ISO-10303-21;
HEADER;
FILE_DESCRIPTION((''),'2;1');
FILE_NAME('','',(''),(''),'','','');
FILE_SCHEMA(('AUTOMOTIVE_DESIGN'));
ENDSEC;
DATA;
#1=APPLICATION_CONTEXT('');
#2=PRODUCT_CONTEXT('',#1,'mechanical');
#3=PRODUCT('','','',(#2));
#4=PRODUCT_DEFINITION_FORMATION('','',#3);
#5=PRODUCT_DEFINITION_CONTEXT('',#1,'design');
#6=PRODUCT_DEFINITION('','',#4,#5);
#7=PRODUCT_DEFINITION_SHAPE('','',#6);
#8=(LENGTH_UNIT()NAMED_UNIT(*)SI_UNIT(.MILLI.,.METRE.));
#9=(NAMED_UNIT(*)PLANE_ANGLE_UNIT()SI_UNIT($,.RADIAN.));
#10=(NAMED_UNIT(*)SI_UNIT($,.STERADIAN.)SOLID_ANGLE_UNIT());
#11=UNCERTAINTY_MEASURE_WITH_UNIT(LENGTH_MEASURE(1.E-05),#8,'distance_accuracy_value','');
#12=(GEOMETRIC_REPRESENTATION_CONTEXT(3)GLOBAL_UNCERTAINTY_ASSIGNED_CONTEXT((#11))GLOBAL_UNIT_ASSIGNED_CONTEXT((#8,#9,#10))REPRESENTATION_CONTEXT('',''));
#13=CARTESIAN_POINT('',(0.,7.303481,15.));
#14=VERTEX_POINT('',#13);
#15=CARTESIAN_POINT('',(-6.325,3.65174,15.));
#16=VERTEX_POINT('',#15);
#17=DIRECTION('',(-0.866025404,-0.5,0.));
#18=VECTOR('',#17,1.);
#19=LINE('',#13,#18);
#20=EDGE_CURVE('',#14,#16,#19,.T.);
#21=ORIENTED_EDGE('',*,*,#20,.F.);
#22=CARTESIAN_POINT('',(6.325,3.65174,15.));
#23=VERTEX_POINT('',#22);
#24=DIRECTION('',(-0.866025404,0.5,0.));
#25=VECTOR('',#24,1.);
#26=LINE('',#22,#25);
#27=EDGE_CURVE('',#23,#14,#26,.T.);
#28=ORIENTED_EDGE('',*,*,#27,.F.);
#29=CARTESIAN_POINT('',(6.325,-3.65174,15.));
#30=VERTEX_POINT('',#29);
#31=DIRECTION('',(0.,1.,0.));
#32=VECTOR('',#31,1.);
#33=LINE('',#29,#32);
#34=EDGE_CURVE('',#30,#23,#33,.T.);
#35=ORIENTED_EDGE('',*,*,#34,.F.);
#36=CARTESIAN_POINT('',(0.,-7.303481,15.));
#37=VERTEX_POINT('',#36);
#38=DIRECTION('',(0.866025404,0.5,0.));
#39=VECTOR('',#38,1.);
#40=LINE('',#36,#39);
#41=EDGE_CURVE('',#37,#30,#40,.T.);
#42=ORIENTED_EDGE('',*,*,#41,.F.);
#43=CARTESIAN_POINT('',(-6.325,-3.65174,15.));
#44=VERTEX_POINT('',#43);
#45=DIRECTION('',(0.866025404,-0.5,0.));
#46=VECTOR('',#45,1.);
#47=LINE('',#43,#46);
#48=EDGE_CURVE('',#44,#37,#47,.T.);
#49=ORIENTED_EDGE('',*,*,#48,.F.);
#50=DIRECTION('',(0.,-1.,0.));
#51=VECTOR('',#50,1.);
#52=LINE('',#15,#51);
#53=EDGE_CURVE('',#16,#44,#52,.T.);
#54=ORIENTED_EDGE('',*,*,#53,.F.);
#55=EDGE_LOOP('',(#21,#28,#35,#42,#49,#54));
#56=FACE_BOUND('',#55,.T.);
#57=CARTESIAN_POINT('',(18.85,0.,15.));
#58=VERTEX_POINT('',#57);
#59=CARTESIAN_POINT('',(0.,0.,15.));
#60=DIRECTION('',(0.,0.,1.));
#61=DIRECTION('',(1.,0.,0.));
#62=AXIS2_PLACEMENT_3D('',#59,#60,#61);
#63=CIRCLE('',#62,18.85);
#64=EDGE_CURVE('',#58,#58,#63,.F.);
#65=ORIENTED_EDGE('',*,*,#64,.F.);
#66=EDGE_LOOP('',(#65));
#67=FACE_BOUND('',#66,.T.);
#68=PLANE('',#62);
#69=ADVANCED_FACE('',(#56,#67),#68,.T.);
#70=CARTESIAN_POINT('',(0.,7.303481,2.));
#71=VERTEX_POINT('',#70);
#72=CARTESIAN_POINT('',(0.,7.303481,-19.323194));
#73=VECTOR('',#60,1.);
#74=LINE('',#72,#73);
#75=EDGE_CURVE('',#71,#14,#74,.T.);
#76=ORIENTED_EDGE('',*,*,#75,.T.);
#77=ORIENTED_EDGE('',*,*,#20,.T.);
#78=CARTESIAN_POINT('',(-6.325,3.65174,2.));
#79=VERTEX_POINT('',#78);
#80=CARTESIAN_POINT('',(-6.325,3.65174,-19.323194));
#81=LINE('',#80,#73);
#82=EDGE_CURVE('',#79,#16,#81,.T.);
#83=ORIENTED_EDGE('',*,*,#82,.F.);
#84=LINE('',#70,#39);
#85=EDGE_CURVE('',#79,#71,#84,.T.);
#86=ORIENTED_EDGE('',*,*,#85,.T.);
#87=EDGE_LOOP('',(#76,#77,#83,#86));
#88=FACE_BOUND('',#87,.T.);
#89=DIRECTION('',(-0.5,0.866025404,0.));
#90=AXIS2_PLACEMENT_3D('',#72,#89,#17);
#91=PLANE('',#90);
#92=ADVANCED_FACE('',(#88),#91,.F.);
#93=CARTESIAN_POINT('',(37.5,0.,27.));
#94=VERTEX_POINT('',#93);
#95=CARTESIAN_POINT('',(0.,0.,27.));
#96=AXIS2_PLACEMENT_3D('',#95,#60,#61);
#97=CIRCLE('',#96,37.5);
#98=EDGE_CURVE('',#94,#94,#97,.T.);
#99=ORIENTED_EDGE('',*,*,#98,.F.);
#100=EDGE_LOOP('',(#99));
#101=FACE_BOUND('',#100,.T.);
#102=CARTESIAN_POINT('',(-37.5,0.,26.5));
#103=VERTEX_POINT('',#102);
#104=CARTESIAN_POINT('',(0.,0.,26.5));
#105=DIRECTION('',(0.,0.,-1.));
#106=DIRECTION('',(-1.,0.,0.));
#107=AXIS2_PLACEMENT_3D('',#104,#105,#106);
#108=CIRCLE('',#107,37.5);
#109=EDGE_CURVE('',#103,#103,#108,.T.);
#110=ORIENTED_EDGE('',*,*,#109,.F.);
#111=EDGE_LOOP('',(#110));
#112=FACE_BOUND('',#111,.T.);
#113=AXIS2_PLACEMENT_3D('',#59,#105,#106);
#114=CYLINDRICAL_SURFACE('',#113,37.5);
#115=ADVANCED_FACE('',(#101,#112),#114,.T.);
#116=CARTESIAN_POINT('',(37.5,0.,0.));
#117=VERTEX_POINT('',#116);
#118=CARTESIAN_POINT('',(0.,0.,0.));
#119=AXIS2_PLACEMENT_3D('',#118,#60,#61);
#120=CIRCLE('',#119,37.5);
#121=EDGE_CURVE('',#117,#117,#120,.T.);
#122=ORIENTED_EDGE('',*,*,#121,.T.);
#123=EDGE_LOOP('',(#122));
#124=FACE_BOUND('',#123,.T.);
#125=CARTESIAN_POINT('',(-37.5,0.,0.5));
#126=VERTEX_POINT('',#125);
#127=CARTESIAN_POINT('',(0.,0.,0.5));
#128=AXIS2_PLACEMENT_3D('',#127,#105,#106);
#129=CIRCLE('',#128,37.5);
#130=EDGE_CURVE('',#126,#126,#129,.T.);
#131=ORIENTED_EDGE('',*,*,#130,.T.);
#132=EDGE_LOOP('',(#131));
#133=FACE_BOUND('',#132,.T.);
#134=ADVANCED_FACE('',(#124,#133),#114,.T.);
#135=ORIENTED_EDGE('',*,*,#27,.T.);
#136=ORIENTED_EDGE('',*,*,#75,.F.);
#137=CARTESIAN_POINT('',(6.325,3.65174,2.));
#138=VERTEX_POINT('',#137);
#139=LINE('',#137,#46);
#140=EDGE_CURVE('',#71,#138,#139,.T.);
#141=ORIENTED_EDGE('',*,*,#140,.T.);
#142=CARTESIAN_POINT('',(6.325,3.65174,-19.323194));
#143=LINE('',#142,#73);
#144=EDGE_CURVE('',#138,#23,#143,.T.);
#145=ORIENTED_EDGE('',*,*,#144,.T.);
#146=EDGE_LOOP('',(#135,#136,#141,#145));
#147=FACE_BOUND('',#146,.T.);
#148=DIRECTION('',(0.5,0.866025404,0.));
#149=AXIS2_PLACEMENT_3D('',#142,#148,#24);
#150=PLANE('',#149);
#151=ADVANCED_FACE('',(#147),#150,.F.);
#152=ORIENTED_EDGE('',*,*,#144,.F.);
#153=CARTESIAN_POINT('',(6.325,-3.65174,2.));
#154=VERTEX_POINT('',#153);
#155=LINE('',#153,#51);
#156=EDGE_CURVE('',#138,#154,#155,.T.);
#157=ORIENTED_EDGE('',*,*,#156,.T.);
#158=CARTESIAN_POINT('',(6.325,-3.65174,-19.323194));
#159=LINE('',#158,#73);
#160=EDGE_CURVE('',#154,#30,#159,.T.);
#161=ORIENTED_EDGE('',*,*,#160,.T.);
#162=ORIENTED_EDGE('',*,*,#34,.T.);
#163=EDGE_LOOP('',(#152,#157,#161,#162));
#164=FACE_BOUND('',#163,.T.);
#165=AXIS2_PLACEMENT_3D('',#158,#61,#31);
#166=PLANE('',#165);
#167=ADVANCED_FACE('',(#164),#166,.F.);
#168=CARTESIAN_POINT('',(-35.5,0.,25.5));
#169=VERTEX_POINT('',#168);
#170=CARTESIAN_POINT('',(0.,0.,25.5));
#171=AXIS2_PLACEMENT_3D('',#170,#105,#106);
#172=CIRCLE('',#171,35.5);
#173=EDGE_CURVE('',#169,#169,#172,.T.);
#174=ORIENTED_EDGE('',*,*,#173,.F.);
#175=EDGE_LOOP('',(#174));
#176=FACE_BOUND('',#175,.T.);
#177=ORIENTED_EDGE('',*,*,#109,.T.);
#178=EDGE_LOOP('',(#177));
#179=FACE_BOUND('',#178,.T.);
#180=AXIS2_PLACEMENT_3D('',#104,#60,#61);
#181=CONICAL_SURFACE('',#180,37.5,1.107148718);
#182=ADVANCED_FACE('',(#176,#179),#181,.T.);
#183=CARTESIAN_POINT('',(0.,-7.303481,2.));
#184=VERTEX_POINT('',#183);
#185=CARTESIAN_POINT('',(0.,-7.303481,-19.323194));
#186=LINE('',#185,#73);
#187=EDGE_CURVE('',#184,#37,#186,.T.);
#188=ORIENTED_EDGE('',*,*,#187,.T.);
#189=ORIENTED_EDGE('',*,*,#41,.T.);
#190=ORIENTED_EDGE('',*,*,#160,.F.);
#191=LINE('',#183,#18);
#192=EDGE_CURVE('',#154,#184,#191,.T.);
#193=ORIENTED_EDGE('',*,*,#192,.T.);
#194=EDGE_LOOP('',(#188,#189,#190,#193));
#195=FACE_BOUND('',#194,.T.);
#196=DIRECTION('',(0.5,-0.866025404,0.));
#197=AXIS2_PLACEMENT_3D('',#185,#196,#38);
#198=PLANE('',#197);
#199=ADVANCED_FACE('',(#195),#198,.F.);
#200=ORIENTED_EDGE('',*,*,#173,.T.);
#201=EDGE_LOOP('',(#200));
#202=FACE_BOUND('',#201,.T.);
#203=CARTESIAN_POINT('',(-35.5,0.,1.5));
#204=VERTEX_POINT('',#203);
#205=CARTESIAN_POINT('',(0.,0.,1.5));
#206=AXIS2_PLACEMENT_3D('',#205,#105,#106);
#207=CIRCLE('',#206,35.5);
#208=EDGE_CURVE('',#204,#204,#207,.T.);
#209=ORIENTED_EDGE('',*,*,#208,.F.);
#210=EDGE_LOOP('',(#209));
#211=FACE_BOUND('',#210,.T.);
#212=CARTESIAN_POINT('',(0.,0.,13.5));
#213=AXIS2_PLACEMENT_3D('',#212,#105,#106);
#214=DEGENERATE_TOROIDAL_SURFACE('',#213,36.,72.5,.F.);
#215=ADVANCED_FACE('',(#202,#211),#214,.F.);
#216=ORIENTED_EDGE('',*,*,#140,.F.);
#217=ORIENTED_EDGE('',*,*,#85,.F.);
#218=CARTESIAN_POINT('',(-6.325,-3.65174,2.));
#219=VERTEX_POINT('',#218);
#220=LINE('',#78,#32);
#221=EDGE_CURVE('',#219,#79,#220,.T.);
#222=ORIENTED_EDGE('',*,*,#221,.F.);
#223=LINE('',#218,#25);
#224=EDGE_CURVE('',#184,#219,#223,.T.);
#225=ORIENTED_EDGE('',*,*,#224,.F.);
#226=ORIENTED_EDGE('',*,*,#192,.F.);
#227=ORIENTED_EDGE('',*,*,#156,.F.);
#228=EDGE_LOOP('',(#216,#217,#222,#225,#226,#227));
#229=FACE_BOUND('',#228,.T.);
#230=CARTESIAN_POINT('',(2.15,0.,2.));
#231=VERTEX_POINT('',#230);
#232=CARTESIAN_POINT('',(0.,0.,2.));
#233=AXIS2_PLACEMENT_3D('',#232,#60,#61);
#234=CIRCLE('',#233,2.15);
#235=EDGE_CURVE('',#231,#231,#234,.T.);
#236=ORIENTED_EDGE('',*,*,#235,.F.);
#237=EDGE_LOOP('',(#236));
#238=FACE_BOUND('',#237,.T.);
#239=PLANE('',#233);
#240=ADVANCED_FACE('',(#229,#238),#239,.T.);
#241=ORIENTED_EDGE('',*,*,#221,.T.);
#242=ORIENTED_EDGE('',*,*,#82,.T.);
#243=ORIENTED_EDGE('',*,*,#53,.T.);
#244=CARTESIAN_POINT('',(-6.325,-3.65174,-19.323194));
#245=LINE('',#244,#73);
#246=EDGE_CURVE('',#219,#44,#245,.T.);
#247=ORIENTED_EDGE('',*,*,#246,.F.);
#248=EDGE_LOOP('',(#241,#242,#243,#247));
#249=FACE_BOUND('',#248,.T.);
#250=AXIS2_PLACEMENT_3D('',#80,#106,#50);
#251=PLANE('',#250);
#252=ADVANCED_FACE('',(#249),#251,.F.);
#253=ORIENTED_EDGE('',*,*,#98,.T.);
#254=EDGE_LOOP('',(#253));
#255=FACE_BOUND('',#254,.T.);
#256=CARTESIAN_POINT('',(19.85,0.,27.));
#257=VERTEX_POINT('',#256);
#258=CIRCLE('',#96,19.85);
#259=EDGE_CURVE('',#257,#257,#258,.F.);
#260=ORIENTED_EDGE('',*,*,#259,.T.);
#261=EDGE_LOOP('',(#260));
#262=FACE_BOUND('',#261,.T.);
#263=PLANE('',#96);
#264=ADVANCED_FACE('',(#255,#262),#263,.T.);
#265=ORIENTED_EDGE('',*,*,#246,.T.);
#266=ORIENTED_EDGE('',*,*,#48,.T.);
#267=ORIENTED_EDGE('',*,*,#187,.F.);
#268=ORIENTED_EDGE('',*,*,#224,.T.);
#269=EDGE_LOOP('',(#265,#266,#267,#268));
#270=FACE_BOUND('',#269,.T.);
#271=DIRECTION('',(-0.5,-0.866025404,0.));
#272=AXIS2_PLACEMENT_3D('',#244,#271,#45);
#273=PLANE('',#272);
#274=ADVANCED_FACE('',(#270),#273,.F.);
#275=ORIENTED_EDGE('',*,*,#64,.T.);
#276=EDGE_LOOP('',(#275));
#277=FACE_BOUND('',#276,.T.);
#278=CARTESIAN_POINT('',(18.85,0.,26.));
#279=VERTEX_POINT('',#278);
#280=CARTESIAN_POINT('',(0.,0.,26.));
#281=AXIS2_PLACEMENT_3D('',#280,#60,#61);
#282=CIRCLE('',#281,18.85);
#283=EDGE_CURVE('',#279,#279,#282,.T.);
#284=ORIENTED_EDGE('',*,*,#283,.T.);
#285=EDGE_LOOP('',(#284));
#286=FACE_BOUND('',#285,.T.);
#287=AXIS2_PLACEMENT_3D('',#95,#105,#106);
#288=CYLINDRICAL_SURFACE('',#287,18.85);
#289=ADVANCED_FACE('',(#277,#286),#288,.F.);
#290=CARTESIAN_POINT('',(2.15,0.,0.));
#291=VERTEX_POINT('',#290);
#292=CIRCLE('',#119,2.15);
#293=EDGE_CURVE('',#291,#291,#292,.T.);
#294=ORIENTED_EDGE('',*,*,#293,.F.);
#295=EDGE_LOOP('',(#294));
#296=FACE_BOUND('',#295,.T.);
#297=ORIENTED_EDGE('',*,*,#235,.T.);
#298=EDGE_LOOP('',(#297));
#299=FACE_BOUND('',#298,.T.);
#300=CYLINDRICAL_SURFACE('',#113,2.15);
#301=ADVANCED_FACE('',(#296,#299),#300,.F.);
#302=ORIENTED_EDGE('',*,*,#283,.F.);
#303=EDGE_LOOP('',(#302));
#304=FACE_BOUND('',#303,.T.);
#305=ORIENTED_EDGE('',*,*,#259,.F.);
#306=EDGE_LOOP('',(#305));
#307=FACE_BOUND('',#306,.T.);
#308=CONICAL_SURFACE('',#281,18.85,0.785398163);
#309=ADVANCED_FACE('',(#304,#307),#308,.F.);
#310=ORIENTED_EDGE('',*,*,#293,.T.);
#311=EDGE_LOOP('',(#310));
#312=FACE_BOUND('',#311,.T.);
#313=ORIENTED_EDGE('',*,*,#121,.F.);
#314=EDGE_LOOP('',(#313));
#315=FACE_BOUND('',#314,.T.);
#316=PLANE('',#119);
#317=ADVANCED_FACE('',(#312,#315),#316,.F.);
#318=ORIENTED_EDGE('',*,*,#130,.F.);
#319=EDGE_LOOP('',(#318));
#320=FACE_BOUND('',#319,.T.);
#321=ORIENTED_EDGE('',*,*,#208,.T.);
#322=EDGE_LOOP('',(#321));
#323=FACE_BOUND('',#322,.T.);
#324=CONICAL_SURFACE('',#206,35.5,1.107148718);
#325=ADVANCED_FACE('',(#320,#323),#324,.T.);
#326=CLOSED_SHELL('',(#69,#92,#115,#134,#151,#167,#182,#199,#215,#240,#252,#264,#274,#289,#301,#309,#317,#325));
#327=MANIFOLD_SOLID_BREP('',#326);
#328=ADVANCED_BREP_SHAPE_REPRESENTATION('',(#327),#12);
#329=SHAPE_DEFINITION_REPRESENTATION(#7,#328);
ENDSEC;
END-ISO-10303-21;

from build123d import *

# Parameters (mm, degrees)
ESQUISSE1_R             = 37.5
ESQUISSE1_R_2           = 2.15
BOSS_EXTRU_1_DEPTH      = 15
ESQUISSE2_R             = 37.5
ESQUISSE2_R_2           = 18.85
BOSS_EXTRU_2_DEPTH      = 12
ENL_V_MAT_EXTRU_9_DEPTH = 13
CHANFREIN1_SIZE         = 1


with BuildPart() as part:
    # Esquisse1 → Boss.-Extru.1 (new body)
    with BuildSketch(Plane.XY):
        Circle(ESQUISSE1_R)
        Circle(ESQUISSE1_R_2, mode=Mode.SUBTRACT)
    extrude(amount=BOSS_EXTRU_1_DEPTH)

    # Esquisse2 → Boss.-Extru.2 (add)
    with BuildSketch(Plane.XY.offset(15)):
        Circle(ESQUISSE2_R)
        Circle(ESQUISSE2_R_2, mode=Mode.SUBTRACT)
    extrude(amount=BOSS_EXTRU_2_DEPTH)

    # Esquisse9 → Enlèv. mat.-Extru.9 (cut)
    with BuildSketch(Plane.XY.offset(15)):
        Polygon((6.325, -3.651740453), (6.325, 3.651740453), (0, 7.303480905), (-6.325, 3.651740453), (-6.325, -3.651740453), (0, -7.303480905), align=None)
    extrude(amount=-ENL_V_MAT_EXTRU_9_DEPTH, mode=Mode.SUBTRACT)

    # Chanfrein1
    chanfrein1_edges = [part.edges().sort_by_distance(p)[0] for p in [
        (-18.85, 0, 27),
    ]]
    chamfer(chanfrein1_edges, length=CHANFREIN1_SIZE)

    # Esquisse10 → Enlèvement de matière-Révolution1 (revolve, cut)
    with BuildSketch(Plane(origin=(0, 0, 0), x_dir=(0, 0, -1), z_dir=(1, 0, 0)), mode=Mode.PRIVATE) as enl_vement_de_mati_re_r_volution1_sk:
        with BuildLine():
            Line((-26.5, 37.5), (-0.5, 37.5))
            Line((-0.5, 37.5), (-1.5, 35.5))
            ThreePointArc((-1.5, 35.5), (-13.5, 36.5), (-25.5, 35.5))
            Line((-25.5, 35.5), (-26.5, 37.5))
        make_face()
    revolve(enl_vement_de_mati_re_r_volution1_sk.sketch.rotate(Axis((0, 0, 0), (0, 0, 1)), 90), axis=Axis((0, 0, 0), (0, 0, 1)), mode=Mode.SUBTRACT)


solid = part.part
